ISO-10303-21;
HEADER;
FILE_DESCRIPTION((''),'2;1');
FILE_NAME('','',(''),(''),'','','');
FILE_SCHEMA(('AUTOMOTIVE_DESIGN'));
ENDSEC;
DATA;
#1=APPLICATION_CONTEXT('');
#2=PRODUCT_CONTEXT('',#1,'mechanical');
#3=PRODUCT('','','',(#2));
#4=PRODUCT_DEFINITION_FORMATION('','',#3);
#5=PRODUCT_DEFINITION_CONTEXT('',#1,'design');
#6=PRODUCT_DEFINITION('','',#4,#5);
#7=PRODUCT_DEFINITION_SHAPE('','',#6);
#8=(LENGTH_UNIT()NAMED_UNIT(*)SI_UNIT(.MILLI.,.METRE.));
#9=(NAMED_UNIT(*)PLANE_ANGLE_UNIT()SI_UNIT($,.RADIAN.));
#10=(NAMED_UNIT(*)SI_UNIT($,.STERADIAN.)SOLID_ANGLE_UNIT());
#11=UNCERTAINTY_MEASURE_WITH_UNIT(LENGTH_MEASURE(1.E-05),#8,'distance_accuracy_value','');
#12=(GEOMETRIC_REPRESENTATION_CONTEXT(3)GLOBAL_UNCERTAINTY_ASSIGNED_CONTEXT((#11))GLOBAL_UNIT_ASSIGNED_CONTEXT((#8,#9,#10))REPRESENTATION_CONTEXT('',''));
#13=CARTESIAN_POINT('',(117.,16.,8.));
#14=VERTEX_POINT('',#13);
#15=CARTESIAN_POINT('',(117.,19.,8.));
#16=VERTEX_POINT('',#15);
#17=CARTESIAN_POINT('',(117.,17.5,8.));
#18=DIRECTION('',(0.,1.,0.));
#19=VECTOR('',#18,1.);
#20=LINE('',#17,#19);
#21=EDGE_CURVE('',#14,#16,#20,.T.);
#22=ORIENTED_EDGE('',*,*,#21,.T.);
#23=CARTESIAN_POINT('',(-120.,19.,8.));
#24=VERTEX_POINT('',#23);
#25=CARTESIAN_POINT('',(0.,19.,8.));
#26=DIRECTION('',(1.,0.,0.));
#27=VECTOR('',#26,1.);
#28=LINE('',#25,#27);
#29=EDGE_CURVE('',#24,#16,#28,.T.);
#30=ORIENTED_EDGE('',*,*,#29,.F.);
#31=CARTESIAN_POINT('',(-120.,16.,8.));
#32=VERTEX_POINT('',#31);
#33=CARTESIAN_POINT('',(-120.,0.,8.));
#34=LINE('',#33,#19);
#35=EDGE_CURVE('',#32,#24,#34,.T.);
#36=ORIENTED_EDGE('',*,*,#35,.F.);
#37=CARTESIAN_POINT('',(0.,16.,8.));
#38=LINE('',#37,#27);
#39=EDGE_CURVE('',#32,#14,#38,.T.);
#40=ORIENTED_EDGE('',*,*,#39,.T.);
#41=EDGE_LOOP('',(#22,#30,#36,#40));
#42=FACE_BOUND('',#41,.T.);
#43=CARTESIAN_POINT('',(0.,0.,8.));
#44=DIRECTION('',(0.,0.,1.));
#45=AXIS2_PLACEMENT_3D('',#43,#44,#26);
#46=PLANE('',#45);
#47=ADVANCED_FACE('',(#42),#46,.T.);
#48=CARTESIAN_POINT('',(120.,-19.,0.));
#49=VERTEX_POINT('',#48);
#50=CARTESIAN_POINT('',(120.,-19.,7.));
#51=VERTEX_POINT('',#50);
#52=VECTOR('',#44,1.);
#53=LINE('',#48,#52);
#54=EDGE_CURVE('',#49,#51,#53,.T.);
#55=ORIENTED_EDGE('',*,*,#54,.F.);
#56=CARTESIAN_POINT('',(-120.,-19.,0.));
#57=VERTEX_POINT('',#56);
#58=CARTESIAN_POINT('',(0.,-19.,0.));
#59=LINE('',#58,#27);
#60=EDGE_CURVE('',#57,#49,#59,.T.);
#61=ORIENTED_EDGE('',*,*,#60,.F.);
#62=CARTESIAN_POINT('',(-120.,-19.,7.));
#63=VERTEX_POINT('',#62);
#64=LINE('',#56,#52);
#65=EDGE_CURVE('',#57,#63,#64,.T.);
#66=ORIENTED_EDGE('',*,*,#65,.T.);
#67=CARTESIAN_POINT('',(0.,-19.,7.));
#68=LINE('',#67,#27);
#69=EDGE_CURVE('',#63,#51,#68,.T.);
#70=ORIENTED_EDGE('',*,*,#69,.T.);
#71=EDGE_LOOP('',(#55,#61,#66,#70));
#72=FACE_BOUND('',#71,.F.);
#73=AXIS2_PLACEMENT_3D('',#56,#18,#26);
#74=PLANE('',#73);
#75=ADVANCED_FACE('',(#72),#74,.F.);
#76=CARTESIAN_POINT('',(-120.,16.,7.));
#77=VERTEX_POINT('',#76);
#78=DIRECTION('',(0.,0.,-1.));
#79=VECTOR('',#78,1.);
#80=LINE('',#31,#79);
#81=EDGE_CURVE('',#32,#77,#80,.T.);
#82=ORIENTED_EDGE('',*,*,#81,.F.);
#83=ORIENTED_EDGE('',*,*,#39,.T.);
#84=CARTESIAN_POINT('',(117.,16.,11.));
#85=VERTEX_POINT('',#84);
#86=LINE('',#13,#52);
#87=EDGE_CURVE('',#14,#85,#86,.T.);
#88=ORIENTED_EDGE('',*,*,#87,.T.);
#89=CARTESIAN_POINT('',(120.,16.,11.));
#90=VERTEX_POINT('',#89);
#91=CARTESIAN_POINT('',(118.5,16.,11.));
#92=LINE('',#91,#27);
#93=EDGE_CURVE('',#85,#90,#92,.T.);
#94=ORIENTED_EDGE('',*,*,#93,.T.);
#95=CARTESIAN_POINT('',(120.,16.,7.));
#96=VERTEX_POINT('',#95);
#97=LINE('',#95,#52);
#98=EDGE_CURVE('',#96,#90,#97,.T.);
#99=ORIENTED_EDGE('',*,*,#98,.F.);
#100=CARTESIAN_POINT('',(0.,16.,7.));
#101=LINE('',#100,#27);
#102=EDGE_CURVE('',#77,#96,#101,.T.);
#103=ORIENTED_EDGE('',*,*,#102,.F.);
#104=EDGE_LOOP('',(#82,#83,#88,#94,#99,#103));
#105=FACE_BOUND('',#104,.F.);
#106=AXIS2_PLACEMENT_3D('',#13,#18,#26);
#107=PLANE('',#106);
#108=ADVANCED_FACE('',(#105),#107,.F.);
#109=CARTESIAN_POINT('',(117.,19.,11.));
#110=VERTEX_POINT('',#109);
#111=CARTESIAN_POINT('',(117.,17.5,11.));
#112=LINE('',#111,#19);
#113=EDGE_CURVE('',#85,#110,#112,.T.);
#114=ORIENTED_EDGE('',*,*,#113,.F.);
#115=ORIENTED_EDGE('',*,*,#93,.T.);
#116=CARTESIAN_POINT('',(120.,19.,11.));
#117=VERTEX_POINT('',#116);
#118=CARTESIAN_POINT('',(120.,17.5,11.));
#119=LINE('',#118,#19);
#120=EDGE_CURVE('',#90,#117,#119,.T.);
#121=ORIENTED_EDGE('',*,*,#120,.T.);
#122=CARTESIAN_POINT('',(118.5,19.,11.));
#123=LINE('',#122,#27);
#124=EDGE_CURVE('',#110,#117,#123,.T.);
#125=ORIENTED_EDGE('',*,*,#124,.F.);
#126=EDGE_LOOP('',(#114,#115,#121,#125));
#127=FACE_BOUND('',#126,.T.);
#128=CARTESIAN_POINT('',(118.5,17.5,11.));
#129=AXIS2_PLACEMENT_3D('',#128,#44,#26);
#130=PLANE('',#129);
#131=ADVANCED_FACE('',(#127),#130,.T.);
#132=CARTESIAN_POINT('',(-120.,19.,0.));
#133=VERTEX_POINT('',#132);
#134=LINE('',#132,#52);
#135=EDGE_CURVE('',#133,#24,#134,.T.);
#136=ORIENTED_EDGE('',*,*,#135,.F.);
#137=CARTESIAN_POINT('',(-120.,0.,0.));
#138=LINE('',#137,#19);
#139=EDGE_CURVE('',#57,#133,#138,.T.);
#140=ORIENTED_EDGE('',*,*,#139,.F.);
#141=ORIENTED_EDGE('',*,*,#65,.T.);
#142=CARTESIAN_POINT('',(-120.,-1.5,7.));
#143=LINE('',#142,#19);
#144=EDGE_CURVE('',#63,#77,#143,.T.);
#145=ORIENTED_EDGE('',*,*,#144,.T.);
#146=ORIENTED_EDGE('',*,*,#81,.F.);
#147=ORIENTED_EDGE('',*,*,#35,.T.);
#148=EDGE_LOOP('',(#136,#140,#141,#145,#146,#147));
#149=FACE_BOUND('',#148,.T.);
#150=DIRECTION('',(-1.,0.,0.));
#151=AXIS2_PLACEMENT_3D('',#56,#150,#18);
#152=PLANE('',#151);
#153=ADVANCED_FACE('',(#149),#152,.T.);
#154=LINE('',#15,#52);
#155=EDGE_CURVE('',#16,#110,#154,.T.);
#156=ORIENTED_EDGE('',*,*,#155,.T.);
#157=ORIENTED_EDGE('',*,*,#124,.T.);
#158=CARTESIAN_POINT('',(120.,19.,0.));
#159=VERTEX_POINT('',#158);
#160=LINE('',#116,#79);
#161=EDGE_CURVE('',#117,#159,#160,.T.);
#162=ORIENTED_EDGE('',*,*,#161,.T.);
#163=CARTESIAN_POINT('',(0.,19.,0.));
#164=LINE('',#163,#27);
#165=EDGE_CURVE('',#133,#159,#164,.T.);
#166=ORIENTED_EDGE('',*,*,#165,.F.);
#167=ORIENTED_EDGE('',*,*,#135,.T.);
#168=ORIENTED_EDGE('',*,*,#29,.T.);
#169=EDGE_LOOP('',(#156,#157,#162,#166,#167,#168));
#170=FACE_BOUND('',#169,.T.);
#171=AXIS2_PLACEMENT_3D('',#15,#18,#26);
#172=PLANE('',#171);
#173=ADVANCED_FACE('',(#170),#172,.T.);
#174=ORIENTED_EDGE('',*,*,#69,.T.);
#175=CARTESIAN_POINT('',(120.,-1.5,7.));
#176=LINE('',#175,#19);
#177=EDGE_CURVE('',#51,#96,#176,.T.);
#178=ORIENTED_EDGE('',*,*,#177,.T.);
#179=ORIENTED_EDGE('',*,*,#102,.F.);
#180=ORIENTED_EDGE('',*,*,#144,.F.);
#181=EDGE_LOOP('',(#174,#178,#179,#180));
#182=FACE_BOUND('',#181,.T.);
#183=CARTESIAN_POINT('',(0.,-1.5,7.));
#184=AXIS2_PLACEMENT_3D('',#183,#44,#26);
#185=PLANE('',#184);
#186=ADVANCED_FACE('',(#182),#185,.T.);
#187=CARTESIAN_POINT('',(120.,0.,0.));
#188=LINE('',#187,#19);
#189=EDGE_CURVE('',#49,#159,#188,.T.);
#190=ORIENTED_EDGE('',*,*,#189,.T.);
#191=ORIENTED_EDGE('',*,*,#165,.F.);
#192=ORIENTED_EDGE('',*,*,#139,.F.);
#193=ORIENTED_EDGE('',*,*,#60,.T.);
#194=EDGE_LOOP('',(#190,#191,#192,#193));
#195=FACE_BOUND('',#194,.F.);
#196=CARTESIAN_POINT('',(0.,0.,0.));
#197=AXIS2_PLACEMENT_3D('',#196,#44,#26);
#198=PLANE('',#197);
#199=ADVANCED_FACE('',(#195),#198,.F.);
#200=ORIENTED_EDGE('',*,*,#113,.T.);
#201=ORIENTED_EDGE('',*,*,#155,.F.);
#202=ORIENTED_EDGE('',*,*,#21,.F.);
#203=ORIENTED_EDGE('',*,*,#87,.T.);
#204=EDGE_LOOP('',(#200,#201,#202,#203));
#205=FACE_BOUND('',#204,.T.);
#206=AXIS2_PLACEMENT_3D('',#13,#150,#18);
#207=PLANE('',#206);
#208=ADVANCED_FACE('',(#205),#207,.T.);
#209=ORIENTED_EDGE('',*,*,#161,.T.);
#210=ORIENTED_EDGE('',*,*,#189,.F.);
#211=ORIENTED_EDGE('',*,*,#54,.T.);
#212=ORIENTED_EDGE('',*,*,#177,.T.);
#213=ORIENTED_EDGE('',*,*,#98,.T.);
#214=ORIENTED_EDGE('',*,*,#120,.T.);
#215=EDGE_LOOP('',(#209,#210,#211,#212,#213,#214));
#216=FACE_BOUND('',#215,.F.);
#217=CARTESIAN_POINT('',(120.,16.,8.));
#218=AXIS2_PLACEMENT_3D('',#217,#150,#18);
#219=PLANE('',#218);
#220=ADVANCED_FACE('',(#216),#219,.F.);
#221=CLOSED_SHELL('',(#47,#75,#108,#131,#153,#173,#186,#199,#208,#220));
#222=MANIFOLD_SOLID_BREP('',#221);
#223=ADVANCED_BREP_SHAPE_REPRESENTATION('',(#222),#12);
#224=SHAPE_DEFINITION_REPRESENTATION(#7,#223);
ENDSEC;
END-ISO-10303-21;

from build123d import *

# Parameters (mm, degrees)
F1_W     = 240
F1_H     = 38
F2_DEPTH = 8
F3_W     = 240
F3_H     = 35
F4_DEPTH = 1
F5_W     = 3
F5_H     = 3
F6_DEPTH = 3


with BuildPart() as f2:
    # F1 (on Top) → F2 (new body)
    with BuildSketch(Plane.XY):
        Rectangle(F1_W, F1_H)
    extrude(amount=F2_DEPTH)

    # F3 (on face) → F4 (cut)
    with BuildSketch(Plane.XY.offset(8)):
        with Locations((0, -1.5)):
            Rectangle(F3_W, F3_H)
    extrude(amount=-F4_DEPTH, mode=Mode.SUBTRACT)

    # F5 (on face) → F6 (join)
    with BuildSketch(Plane.XY.offset(8)):
        with Locations((118.5, 17.5)):
            Rectangle(F5_W, F5_H)
    extrude(amount=F6_DEPTH)


solid = f2.part
